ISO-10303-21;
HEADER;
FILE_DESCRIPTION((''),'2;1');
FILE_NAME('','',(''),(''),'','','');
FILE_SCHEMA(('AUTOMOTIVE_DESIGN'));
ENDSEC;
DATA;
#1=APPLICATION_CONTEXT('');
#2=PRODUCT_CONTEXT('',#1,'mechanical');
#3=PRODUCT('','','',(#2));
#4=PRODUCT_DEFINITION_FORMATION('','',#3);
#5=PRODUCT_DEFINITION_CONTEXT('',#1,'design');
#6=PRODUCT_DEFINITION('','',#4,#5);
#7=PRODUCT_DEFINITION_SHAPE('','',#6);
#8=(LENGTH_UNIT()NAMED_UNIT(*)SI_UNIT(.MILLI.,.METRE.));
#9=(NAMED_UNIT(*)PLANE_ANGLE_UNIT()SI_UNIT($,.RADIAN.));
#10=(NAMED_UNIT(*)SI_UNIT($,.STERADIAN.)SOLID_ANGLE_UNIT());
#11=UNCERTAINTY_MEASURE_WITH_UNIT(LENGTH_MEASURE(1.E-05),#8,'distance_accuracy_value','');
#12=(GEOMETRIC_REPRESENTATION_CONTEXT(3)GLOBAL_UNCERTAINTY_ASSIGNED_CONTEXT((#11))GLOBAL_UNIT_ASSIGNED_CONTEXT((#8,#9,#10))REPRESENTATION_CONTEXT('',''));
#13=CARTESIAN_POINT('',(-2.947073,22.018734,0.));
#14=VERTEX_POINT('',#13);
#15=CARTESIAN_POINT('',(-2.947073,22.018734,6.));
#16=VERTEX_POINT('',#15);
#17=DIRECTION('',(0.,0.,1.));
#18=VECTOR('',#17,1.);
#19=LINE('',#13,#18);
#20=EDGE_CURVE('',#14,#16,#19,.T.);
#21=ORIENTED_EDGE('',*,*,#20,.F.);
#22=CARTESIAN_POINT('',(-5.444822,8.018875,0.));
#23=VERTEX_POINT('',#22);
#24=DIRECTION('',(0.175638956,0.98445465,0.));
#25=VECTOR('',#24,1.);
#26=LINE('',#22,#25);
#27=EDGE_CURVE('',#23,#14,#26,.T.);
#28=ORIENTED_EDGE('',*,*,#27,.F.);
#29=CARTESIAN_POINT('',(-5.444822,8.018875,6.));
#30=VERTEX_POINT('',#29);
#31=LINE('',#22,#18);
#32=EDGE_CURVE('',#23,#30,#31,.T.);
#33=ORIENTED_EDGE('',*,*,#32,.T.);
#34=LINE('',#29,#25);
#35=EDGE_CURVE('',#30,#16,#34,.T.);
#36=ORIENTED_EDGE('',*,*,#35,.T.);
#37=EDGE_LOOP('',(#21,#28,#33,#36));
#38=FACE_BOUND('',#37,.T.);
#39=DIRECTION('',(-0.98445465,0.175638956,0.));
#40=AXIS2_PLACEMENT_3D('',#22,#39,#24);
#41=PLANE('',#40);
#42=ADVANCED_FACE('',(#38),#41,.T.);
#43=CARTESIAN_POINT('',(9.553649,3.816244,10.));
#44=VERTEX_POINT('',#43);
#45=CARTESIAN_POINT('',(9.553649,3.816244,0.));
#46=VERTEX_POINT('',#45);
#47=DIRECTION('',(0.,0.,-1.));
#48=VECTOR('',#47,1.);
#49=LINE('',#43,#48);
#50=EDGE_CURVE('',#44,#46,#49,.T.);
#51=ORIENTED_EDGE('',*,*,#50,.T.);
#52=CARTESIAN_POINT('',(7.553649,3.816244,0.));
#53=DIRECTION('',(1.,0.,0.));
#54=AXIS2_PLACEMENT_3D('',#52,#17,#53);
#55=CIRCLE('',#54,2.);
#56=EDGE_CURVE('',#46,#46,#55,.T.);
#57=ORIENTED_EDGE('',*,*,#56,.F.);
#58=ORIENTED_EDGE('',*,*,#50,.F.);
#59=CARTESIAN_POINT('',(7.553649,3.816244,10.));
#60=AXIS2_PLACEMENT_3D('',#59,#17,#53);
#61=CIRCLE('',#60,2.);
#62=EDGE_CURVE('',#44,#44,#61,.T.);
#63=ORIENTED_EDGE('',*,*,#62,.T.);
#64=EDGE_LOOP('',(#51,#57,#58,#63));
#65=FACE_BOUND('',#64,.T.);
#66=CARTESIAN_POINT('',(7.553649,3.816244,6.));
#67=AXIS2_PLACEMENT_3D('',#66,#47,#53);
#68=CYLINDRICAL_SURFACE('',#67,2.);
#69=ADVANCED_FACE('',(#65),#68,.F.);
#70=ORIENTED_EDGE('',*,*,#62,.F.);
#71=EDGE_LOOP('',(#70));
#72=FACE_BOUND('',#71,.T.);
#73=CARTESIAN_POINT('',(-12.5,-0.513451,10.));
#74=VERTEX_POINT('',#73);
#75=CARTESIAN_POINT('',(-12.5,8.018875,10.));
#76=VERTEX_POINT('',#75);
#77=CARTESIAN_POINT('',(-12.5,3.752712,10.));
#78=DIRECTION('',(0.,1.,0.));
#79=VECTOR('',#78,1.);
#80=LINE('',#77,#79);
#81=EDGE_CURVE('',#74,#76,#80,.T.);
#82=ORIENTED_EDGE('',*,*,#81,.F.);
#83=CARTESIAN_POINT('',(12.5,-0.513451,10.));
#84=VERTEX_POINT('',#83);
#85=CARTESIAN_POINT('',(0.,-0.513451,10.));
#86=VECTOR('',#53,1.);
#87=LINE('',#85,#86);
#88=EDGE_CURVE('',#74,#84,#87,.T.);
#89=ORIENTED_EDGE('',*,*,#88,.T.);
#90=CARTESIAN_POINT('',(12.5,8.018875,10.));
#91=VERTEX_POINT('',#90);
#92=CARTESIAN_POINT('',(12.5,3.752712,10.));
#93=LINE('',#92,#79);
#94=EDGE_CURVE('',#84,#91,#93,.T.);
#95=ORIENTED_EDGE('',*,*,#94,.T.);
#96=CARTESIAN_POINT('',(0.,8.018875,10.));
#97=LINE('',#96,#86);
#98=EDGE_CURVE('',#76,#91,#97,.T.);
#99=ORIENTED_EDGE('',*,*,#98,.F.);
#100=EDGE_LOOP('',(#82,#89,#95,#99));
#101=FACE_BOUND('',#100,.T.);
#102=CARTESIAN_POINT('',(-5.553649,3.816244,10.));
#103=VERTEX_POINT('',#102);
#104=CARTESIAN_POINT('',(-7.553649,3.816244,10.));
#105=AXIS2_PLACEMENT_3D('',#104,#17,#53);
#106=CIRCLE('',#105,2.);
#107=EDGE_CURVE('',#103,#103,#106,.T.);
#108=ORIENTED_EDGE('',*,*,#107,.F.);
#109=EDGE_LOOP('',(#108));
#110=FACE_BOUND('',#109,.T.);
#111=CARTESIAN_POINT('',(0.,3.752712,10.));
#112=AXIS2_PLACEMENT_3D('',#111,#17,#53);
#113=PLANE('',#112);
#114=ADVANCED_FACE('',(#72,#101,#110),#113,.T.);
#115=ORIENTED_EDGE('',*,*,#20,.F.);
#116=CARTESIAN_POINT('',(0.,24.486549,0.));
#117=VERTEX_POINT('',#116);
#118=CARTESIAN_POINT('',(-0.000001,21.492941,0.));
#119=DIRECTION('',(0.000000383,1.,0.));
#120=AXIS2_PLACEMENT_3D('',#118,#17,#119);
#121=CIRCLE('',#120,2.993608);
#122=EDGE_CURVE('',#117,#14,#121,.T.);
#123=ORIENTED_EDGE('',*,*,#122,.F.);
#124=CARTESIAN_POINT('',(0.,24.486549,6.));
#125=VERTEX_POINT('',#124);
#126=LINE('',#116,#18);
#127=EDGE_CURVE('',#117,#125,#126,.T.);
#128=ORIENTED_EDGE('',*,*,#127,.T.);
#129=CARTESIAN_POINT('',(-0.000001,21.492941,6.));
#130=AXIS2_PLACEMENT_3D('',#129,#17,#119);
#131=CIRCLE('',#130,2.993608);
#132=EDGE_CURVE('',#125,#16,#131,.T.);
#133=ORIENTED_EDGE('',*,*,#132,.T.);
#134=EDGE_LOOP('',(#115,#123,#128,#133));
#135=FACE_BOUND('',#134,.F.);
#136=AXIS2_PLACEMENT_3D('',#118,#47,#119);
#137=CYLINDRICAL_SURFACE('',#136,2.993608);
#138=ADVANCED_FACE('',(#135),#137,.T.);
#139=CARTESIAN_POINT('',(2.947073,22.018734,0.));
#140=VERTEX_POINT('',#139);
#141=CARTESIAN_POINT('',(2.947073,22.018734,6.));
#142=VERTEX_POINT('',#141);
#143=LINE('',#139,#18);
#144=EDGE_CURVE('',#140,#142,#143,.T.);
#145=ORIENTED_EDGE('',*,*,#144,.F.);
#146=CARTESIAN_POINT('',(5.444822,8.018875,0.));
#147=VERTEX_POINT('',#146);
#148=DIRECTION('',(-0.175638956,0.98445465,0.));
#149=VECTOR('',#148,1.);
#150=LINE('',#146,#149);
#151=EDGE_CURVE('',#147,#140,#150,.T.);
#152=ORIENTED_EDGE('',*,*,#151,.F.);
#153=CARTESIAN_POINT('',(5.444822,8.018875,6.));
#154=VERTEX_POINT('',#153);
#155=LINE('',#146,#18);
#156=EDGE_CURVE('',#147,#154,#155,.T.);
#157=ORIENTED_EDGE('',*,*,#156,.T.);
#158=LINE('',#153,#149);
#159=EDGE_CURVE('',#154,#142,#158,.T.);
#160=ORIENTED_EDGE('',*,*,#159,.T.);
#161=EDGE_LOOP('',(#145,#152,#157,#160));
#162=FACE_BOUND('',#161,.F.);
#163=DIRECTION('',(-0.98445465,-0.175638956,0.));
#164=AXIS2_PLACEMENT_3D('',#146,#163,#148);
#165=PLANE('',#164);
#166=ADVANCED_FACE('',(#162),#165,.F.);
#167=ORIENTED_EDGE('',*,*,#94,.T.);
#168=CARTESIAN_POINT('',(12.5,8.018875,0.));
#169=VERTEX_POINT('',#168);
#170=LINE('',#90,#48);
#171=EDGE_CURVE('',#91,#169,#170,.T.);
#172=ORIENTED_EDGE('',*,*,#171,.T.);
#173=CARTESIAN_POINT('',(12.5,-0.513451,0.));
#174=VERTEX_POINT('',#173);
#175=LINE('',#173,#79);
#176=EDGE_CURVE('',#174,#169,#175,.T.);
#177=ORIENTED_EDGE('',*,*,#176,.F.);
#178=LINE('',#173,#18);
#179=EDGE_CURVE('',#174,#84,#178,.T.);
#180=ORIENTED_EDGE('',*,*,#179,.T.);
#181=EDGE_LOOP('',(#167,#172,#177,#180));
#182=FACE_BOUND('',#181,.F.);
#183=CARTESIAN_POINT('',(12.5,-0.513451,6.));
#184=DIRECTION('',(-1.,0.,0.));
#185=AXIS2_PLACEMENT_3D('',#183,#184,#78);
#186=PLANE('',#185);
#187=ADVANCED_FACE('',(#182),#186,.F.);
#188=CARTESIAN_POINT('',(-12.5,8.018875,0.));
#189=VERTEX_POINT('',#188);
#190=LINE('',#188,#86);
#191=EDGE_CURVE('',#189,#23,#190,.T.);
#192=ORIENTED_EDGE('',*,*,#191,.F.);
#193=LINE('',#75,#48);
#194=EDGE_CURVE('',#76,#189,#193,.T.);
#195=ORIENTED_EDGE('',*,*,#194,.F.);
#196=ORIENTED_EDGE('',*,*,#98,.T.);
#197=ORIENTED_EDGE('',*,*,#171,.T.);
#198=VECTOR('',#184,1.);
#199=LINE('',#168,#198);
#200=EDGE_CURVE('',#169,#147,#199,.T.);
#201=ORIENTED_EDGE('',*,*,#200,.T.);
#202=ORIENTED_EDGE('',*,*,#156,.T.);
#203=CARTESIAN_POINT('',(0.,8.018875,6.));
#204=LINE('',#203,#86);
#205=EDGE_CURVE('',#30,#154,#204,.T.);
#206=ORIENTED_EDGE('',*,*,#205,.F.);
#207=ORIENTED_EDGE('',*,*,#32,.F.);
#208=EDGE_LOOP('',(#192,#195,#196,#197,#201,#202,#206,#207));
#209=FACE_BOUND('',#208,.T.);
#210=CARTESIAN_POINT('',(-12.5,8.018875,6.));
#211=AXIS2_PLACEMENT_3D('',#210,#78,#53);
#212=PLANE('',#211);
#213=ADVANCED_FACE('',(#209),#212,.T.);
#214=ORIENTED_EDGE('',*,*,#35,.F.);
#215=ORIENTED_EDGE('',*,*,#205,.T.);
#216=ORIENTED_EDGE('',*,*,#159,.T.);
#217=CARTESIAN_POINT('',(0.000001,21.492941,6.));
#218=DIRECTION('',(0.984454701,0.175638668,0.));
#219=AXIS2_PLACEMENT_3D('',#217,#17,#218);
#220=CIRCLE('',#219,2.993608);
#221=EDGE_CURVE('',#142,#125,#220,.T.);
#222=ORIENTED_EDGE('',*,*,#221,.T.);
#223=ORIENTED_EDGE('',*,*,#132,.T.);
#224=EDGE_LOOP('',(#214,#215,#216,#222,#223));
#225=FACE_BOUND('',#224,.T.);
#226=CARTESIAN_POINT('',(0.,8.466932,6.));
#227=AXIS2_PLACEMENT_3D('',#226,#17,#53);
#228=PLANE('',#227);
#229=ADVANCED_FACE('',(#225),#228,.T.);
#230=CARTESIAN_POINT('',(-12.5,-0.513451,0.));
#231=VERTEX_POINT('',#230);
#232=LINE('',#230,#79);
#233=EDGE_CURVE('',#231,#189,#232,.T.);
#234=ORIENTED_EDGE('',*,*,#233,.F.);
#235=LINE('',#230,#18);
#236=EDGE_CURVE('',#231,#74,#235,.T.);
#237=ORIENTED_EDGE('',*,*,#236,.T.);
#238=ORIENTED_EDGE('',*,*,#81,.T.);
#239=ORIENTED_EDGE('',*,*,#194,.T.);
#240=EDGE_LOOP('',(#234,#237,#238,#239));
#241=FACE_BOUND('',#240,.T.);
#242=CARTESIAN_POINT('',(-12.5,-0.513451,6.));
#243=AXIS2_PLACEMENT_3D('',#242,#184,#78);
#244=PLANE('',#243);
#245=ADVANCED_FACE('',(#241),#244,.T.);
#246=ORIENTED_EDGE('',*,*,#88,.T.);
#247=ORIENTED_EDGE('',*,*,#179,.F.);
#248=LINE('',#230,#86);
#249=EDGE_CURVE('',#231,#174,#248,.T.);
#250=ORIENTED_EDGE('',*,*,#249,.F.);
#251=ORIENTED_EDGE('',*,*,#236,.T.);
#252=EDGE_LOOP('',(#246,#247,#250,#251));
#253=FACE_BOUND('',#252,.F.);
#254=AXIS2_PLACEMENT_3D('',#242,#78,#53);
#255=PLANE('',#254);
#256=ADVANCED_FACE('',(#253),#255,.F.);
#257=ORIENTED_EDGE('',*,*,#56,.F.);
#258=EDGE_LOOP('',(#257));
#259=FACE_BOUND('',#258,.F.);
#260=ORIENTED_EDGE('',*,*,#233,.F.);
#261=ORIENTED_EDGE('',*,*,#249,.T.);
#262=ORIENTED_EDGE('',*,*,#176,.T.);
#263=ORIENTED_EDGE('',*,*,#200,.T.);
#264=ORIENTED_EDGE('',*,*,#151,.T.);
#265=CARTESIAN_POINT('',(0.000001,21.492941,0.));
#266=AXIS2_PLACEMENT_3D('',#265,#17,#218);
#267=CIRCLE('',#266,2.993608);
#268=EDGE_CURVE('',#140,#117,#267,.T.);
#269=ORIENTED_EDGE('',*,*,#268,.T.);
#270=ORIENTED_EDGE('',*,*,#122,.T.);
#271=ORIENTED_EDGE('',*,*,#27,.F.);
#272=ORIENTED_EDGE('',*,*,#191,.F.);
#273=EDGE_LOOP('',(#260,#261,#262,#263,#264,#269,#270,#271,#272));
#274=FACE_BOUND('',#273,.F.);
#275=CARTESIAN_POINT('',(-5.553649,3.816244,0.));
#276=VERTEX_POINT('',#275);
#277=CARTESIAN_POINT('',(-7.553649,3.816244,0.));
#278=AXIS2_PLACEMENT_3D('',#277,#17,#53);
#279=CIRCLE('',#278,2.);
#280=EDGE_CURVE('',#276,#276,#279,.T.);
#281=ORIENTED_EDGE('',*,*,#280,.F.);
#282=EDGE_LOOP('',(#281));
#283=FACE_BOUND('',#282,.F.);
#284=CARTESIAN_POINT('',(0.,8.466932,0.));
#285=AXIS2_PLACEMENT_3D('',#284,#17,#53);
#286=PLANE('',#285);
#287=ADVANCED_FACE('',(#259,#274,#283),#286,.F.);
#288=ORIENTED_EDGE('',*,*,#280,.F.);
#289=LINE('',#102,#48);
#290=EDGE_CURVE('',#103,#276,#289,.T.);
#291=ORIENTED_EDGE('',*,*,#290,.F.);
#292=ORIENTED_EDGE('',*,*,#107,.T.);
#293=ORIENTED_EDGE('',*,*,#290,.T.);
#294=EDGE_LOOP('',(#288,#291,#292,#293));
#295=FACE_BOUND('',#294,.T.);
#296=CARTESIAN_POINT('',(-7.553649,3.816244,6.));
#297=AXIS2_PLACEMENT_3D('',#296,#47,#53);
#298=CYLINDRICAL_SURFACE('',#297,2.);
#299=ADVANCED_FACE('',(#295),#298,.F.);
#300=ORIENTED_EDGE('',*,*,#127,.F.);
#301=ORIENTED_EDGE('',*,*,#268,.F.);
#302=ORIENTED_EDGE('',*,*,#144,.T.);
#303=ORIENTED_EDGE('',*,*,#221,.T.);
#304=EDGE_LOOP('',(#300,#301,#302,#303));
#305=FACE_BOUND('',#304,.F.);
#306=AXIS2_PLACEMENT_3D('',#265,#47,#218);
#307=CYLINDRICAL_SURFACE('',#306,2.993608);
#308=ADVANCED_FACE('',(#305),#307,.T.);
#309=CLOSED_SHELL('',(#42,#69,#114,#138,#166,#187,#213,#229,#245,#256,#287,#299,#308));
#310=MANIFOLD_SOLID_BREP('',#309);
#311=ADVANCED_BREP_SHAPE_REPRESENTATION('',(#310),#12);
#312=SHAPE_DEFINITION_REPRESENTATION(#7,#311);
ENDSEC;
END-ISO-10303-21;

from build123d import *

# Parameters (mm, degrees)
SKETCH001_R  = 2
PAD_DEPTH    = 6
SKETCH_W     = 25
SKETCH_H     = 8.532326
SKETCH_R     = 2
PAD001_DEPTH = 4


with BuildPart() as part:
    # Sketch001 → Pad (new body)
    with BuildSketch(Plane.XY):
        with BuildLine():
            Line((0, -0.513451), (12.5, -0.513451))
            Line((12.5, -0.513451), (12.5, 8.018875))
            Line((12.5, 8.018875), (5.444822, 8.018875))
            Line((5.444822, 8.018875), (2.947073, 22.018734))
            ThreePointArc((2.947073, 22.018734), (1.921936, 23.788122), (0, 24.486549))
            ThreePointArc((0, 24.486549), (-1.921936, 23.788122), (-2.947073, 22.018734))
            Line((-5.444822, 8.018875), (-2.947073, 22.018734))
            Line((-12.5, 8.018875), (-5.444822, 8.018875))
            Line((-12.5, -0.513451), (-12.5, 8.018875))
            Line((0, -0.513451), (-12.5, -0.513451))
        make_face()
        with Locations((-7.553649, 3.816244)):
            Circle(SKETCH001_R, mode=Mode.SUBTRACT)
        with Locations((7.553649, 3.816244)):
            Circle(SKETCH001_R, mode=Mode.SUBTRACT)
    extrude(amount=PAD_DEPTH)

    # Sketch → Pad001 (new body)
    with BuildSketch(Plane.XY.offset(6)):
        with Locations((0, 3.752712)):
            Rectangle(SKETCH_W, SKETCH_H)
        with Locations((-7.553649, 3.816244)):
            Circle(SKETCH_R, mode=Mode.SUBTRACT)
        with Locations((7.553649, 3.816244)):
            Circle(SKETCH_R, mode=Mode.SUBTRACT)
    extrude(amount=PAD001_DEPTH)


solid = part.part
